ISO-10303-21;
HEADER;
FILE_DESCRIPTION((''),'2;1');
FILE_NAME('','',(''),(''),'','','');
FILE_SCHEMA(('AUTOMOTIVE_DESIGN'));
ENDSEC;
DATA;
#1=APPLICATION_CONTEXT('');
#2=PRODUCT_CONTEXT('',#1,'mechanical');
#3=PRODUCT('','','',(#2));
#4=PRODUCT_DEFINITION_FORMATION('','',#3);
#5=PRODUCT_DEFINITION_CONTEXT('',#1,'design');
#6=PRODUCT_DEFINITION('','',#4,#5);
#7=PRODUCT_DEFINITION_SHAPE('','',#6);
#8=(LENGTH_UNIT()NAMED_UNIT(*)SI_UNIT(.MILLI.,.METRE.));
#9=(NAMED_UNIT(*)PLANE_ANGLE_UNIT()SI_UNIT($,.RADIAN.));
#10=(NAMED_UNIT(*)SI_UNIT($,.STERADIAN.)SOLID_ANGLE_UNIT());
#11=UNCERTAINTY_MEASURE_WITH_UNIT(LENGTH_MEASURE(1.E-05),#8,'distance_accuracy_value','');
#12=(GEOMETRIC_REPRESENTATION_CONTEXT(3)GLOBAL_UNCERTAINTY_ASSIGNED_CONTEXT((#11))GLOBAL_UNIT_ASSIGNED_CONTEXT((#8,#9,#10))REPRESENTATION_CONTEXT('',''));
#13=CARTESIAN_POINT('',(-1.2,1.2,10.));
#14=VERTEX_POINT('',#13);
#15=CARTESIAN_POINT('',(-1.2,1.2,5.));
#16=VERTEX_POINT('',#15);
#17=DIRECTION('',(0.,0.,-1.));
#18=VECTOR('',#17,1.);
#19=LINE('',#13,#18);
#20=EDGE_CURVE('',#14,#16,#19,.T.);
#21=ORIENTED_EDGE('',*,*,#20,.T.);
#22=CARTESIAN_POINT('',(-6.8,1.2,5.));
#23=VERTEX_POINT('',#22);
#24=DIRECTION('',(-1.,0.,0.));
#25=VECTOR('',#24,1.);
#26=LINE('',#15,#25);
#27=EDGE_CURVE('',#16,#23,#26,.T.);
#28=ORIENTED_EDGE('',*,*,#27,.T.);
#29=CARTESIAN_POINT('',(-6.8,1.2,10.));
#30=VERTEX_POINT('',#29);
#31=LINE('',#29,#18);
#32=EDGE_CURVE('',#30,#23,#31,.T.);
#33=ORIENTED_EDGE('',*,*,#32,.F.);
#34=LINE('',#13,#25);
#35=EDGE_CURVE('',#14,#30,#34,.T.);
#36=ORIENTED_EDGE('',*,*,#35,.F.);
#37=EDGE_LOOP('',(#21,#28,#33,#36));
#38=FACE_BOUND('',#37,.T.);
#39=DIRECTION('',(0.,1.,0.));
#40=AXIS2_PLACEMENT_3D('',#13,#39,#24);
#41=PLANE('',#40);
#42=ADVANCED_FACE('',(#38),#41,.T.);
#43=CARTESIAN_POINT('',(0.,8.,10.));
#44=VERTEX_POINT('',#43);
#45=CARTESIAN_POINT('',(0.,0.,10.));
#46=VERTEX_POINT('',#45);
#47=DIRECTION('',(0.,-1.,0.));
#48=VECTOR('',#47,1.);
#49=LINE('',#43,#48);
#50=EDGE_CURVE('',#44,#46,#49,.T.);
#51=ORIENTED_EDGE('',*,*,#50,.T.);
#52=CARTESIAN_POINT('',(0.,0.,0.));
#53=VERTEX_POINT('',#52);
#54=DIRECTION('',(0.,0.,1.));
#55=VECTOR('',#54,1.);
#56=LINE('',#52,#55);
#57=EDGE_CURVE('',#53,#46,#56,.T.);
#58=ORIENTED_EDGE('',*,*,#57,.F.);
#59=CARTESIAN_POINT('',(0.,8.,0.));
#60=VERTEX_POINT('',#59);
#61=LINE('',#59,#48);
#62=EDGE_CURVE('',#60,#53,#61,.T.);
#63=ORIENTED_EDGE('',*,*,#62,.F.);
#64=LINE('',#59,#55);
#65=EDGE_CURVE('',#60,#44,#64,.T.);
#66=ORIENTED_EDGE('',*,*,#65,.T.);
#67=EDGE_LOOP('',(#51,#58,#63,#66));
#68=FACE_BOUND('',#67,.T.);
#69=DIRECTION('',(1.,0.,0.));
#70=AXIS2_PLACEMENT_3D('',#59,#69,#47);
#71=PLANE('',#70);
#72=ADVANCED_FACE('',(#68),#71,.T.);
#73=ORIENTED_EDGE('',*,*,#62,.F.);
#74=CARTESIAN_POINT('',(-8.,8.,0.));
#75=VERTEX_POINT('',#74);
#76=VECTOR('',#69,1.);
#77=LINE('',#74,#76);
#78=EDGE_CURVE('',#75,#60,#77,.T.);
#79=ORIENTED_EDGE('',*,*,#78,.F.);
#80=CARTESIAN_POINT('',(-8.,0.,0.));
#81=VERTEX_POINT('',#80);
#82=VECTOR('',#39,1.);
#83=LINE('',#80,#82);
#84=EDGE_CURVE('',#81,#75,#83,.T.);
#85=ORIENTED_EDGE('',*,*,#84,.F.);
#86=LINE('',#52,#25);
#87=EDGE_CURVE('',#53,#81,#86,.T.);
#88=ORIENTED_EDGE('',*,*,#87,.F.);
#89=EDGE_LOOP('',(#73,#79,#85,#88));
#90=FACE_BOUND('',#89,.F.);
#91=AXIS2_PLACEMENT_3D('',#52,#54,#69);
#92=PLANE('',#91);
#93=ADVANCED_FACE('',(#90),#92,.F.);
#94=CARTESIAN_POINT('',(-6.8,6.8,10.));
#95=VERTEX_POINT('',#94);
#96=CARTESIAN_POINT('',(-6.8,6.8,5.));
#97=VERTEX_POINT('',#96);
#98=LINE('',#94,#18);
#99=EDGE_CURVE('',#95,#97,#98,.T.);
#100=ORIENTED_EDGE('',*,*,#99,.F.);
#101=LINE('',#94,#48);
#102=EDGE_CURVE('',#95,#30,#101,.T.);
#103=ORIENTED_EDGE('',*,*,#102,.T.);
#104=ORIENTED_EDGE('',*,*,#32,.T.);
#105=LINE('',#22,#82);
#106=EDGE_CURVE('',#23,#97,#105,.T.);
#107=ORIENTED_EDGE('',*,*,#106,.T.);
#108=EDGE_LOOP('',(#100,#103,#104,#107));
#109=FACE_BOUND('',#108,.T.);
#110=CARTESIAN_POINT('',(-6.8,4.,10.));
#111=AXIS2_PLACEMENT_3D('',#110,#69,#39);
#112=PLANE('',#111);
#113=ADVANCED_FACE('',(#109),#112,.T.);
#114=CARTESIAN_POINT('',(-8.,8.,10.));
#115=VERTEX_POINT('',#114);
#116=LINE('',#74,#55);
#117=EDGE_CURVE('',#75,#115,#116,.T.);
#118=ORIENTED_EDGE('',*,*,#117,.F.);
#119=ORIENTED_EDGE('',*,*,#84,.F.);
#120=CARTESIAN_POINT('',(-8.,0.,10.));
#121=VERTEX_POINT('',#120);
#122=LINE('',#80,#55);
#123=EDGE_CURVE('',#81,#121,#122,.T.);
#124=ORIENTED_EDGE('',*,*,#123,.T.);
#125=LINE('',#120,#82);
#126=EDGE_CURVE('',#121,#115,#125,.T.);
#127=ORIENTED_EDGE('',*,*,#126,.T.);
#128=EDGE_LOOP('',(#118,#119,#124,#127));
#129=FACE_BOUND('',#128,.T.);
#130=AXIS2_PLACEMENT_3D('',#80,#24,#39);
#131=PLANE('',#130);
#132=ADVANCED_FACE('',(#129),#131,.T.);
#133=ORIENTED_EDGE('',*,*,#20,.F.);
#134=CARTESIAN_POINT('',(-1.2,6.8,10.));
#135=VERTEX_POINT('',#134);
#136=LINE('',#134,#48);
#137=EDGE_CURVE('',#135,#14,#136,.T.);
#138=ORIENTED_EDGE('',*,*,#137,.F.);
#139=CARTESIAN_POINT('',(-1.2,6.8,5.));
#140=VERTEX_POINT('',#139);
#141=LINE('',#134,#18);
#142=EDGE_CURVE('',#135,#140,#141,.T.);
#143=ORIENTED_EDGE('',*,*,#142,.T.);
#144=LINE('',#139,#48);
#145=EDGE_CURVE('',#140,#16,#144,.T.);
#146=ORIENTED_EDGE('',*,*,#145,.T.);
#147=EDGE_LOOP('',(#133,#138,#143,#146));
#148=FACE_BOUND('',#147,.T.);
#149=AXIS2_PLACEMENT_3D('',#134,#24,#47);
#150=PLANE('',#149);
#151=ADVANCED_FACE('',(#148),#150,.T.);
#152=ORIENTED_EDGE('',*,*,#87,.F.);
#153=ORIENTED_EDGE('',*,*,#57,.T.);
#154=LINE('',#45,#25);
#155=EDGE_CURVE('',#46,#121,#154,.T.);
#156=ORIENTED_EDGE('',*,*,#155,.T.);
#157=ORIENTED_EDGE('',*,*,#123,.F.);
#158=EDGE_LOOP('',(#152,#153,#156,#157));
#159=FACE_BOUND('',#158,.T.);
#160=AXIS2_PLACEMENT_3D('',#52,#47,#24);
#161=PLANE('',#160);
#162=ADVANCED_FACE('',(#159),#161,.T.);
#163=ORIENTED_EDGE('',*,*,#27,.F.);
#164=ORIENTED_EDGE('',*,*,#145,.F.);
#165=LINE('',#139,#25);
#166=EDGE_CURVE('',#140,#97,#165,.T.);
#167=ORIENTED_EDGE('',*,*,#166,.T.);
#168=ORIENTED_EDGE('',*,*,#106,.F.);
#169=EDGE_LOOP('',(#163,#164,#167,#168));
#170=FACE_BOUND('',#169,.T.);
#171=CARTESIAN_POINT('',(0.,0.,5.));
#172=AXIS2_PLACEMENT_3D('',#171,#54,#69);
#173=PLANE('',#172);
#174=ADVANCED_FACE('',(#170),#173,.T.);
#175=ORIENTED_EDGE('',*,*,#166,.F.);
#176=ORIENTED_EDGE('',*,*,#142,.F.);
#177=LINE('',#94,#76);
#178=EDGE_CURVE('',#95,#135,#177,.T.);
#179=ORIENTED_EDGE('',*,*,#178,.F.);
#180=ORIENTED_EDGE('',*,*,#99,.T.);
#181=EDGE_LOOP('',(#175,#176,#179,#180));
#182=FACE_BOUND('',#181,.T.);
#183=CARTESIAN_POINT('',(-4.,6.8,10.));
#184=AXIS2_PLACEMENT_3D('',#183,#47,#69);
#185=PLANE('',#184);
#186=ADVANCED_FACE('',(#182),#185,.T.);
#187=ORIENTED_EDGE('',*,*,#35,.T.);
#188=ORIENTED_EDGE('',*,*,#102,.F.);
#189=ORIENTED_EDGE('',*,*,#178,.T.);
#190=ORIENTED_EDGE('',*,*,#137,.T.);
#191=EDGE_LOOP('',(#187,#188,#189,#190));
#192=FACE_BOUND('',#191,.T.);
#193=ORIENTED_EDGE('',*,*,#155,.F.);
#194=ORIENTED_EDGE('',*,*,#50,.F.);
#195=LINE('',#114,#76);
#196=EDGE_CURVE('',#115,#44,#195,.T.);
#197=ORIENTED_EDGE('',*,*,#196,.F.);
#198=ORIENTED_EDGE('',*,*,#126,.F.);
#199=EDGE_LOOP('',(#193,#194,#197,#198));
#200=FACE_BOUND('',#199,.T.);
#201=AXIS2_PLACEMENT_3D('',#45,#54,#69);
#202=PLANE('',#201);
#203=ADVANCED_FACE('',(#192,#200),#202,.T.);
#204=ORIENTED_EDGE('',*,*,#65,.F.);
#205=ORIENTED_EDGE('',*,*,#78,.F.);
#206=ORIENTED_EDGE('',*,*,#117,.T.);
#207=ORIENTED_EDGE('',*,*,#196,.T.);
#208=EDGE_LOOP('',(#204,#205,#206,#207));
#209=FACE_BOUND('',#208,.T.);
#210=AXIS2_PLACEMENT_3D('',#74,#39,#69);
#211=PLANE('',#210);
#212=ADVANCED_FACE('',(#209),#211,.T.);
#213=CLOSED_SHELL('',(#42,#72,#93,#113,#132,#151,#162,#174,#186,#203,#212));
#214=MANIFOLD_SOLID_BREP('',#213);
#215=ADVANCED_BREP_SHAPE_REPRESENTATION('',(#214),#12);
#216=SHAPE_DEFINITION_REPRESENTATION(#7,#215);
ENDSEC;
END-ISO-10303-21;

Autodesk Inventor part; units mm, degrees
ref_plane "YZ Plane" through (0, 0, 0) normal (1, 0, 0) x (0, 1, 0)
ref_plane "XZ Plane" through (0, 0, 0) normal (0, 1, 0) x (-1, 0, 0)
ref_plane "XY Plane" through (0, 0, 0) normal (0, 0, 1) x (1, 0, 0)
sketch "Sketch4" plane through (0, 0, 0) normal (0, 0, 1) x (1, 0, 0)
  line L0 (0, 0) -> (-8, 0)
  line L1 (-8, 0) -> (-8, 8)
  line L2 (-8, 8) -> (0, 8)
  line L3 (0, 8) -> (0, 0)
  dimension "d30" = 8
  dimension "d31" = 8
extrude "Extrusion6" add sketch "Sketch4" along normal blind 10
sketch "Sketch6" plane through (0, 0, 10) normal (0, 0, 1) x (1, 0, 0)
  line L0 (-4, 4) -> (-6.8, 4)
  line L1 (-6.8, 4) -> (-6.8, 6.8)
  line L2 (-6.8, 6.8) -> (-4, 6.8)
  line L3 (-4, 6.8) -> (-4, 4)
  line L4 (-6.8, 6.8) -> (-1.2, 6.8)
  line L5 (-1.2, 6.8) -> (-1.2, 1.2)
  line L6 (-1.2, 1.2) -> (-6.8, 1.2)
  line L7 (-6.8, 1.2) -> (-6.8, 6.8)
  point P0 (0, 0)
  dimension "d40" = 2.8
  dimension "d41" = 2.8
  dimension "d42" = 5.6
  dimension "d43" = 5.6
extrude "Extrusion8" cut sketch "Sketch6" against normal blind 5
properties part number "Clip_MarkerHolderV1"
